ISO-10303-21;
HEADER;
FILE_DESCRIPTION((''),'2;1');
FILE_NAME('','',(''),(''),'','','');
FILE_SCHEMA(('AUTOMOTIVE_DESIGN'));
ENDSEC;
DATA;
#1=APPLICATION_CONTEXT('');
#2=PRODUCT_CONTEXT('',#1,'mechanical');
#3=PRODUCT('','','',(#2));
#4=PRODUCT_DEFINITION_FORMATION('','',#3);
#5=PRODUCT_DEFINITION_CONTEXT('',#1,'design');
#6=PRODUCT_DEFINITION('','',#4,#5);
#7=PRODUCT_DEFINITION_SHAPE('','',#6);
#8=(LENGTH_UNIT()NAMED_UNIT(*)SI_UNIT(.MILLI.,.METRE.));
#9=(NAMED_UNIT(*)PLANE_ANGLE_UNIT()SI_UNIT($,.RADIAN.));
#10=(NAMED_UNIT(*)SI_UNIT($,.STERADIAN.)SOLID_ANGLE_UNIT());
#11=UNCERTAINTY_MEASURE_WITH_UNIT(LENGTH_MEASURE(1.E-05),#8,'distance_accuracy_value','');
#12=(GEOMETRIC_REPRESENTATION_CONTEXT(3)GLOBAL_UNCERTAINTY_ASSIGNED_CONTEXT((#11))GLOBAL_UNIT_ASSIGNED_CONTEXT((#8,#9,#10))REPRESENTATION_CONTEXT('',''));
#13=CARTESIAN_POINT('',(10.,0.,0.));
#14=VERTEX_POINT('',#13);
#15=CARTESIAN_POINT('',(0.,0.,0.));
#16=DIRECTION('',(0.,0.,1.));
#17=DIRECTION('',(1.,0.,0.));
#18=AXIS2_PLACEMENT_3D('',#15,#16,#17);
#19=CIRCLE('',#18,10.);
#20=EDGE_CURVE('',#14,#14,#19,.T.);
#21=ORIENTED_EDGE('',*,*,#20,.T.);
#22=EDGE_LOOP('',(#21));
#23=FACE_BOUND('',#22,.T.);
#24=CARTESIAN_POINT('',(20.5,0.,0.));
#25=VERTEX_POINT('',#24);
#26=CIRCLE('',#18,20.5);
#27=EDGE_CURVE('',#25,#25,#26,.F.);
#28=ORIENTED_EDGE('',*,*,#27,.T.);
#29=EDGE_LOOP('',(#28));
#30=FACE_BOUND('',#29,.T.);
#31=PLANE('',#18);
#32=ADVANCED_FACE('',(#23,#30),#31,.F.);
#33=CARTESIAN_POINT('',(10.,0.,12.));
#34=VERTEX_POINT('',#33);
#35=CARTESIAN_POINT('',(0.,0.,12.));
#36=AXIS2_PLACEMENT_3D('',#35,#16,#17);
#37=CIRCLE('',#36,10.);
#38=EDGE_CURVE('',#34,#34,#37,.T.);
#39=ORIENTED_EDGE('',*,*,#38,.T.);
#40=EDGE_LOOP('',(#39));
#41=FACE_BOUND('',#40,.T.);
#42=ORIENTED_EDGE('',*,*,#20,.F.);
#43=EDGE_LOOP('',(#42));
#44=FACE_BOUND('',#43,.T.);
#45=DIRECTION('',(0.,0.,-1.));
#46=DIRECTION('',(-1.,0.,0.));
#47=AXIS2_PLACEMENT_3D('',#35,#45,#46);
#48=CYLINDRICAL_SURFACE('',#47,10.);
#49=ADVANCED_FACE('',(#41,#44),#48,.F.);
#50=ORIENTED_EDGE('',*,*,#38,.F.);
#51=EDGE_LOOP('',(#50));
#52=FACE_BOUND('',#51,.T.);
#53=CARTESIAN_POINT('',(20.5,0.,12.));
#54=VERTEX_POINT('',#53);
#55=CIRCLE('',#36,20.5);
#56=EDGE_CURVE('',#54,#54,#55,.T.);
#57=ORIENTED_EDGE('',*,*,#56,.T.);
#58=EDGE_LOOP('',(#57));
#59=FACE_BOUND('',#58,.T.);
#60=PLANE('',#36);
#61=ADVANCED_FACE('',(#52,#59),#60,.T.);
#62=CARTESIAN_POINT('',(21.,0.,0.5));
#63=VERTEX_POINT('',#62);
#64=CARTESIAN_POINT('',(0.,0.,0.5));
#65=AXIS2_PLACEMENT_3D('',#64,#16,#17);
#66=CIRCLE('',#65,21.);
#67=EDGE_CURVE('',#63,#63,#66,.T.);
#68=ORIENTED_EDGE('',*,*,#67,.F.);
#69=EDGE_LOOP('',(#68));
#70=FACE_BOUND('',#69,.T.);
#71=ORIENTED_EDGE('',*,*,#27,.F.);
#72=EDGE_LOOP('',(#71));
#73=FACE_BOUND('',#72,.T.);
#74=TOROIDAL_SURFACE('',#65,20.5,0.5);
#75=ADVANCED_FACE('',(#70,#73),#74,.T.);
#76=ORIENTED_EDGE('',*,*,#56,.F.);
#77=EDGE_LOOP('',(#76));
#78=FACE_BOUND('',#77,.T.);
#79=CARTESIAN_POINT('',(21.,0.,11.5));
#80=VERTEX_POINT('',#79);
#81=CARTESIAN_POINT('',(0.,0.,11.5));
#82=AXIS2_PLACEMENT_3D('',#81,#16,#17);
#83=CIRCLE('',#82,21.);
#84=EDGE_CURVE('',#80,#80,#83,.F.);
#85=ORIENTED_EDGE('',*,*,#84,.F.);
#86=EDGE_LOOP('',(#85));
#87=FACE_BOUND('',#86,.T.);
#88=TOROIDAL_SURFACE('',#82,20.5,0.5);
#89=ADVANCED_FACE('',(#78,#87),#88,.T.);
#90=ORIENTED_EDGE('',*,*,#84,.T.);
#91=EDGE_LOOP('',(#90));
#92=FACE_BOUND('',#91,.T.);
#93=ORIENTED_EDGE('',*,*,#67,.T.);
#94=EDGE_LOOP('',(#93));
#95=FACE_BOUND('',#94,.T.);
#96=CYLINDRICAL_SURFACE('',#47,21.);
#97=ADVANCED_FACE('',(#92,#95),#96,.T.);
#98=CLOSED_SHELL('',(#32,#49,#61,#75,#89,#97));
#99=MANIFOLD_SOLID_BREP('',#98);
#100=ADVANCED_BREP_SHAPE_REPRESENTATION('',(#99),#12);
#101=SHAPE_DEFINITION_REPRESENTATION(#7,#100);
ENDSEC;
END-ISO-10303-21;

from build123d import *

# Parameters (mm, degrees)
SKETCH2_R           = 21
SKETCH2_R_2         = 10
BOSS_EXTRUDE1_DEPTH = 12
FILLET1_R           = 0.5


with BuildPart() as part:
    # Sketch2 → Boss-Extrude1 (new body)
    with BuildSketch(Plane.XY):
        Circle(SKETCH2_R)
        Circle(SKETCH2_R_2, mode=Mode.SUBTRACT)
    extrude(amount=BOSS_EXTRUDE1_DEPTH)

    # Fillet1
    fillet1_edges = [part.edges().sort_by_distance(p)[0] for p in [
        (-21, 0, 0),
        (-21, 0, 12),
    ]]
    fillet(fillet1_edges, radius=FILLET1_R)


solid = part.part
